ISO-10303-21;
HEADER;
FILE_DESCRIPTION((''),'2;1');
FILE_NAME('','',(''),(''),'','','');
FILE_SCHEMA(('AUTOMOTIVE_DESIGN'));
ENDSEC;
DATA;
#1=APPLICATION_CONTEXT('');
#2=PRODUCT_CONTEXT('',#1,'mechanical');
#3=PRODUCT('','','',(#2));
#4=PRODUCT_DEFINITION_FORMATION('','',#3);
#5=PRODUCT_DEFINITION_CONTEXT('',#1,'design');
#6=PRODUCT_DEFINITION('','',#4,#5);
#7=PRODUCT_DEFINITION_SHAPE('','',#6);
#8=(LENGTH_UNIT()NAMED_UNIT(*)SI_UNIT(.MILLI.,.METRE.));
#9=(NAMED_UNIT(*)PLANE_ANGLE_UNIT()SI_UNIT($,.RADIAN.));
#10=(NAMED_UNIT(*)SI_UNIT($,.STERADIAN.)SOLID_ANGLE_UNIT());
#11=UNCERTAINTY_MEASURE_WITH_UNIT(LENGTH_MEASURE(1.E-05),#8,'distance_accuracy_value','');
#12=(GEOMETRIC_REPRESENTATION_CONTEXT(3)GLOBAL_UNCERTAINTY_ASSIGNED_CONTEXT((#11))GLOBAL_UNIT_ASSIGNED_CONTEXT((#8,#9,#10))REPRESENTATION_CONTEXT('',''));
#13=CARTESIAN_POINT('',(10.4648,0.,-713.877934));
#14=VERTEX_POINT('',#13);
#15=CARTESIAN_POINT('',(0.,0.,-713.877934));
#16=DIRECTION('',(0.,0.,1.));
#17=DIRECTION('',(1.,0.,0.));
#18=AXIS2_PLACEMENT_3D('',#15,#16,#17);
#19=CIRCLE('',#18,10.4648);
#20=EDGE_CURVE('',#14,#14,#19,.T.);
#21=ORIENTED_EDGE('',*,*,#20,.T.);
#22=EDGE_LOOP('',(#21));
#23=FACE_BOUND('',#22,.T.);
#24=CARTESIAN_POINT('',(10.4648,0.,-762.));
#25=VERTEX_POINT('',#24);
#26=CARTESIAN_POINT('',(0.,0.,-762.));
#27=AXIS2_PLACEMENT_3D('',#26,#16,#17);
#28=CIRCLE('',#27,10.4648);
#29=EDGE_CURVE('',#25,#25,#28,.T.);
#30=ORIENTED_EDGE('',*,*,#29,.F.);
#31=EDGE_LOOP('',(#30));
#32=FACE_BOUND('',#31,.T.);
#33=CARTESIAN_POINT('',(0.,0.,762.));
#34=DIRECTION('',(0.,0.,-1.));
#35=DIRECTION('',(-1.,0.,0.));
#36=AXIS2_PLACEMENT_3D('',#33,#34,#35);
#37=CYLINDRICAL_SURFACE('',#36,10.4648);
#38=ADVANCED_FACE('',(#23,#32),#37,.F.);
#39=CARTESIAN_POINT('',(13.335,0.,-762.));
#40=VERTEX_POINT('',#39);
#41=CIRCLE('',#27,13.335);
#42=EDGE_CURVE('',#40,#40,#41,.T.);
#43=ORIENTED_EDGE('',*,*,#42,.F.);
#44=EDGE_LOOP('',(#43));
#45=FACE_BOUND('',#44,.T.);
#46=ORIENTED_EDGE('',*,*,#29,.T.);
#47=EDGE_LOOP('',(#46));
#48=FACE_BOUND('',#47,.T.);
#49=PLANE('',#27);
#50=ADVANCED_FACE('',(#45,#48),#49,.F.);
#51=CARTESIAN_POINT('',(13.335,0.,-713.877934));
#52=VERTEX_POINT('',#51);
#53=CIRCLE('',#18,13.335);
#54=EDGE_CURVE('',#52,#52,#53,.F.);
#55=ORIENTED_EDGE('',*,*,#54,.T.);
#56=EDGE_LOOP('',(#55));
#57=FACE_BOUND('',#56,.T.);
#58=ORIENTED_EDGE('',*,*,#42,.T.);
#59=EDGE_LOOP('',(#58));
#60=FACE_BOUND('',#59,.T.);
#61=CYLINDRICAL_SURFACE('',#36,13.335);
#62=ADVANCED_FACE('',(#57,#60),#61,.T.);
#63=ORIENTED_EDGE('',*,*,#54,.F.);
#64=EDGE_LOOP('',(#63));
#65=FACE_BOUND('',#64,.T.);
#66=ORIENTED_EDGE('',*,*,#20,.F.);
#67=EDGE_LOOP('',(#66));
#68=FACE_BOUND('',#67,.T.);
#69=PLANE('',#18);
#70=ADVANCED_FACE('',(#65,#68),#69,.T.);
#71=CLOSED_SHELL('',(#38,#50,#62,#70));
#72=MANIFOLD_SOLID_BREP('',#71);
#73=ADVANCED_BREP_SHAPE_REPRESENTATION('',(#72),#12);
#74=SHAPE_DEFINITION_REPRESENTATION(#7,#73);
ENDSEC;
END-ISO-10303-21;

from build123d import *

# Parameters (mm, degrees)
SKETCH3_R                = 13.335
SKETCH3_R_2              = 10.4648
BOSS_EXTRUDE1_DEPTH      = 762
BOSS_EXTRUDE1_DEPTH_BACK = 762
SKETCH4_R                = 13.335
CUT_EXTRUDE2_DEPTH       = 1475.877934


with BuildPart() as part:
    # Sketch3 → Boss-Extrude1 (new body, two sides)
    with BuildSketch(Plane.XY) as boss_extrude1_sk:
        Circle(SKETCH3_R)
        Circle(SKETCH3_R_2, mode=Mode.SUBTRACT)
    extrude(amount=BOSS_EXTRUDE1_DEPTH)
    extrude(boss_extrude1_sk.sketch, amount=-BOSS_EXTRUDE1_DEPTH_BACK)

    # Sketch4 → Cut-Extrude2 (cut)
    with BuildSketch(Plane.XY.offset(762)):
        Circle(SKETCH4_R)
    extrude(amount=-CUT_EXTRUDE2_DEPTH, mode=Mode.SUBTRACT)


solid = part.part
